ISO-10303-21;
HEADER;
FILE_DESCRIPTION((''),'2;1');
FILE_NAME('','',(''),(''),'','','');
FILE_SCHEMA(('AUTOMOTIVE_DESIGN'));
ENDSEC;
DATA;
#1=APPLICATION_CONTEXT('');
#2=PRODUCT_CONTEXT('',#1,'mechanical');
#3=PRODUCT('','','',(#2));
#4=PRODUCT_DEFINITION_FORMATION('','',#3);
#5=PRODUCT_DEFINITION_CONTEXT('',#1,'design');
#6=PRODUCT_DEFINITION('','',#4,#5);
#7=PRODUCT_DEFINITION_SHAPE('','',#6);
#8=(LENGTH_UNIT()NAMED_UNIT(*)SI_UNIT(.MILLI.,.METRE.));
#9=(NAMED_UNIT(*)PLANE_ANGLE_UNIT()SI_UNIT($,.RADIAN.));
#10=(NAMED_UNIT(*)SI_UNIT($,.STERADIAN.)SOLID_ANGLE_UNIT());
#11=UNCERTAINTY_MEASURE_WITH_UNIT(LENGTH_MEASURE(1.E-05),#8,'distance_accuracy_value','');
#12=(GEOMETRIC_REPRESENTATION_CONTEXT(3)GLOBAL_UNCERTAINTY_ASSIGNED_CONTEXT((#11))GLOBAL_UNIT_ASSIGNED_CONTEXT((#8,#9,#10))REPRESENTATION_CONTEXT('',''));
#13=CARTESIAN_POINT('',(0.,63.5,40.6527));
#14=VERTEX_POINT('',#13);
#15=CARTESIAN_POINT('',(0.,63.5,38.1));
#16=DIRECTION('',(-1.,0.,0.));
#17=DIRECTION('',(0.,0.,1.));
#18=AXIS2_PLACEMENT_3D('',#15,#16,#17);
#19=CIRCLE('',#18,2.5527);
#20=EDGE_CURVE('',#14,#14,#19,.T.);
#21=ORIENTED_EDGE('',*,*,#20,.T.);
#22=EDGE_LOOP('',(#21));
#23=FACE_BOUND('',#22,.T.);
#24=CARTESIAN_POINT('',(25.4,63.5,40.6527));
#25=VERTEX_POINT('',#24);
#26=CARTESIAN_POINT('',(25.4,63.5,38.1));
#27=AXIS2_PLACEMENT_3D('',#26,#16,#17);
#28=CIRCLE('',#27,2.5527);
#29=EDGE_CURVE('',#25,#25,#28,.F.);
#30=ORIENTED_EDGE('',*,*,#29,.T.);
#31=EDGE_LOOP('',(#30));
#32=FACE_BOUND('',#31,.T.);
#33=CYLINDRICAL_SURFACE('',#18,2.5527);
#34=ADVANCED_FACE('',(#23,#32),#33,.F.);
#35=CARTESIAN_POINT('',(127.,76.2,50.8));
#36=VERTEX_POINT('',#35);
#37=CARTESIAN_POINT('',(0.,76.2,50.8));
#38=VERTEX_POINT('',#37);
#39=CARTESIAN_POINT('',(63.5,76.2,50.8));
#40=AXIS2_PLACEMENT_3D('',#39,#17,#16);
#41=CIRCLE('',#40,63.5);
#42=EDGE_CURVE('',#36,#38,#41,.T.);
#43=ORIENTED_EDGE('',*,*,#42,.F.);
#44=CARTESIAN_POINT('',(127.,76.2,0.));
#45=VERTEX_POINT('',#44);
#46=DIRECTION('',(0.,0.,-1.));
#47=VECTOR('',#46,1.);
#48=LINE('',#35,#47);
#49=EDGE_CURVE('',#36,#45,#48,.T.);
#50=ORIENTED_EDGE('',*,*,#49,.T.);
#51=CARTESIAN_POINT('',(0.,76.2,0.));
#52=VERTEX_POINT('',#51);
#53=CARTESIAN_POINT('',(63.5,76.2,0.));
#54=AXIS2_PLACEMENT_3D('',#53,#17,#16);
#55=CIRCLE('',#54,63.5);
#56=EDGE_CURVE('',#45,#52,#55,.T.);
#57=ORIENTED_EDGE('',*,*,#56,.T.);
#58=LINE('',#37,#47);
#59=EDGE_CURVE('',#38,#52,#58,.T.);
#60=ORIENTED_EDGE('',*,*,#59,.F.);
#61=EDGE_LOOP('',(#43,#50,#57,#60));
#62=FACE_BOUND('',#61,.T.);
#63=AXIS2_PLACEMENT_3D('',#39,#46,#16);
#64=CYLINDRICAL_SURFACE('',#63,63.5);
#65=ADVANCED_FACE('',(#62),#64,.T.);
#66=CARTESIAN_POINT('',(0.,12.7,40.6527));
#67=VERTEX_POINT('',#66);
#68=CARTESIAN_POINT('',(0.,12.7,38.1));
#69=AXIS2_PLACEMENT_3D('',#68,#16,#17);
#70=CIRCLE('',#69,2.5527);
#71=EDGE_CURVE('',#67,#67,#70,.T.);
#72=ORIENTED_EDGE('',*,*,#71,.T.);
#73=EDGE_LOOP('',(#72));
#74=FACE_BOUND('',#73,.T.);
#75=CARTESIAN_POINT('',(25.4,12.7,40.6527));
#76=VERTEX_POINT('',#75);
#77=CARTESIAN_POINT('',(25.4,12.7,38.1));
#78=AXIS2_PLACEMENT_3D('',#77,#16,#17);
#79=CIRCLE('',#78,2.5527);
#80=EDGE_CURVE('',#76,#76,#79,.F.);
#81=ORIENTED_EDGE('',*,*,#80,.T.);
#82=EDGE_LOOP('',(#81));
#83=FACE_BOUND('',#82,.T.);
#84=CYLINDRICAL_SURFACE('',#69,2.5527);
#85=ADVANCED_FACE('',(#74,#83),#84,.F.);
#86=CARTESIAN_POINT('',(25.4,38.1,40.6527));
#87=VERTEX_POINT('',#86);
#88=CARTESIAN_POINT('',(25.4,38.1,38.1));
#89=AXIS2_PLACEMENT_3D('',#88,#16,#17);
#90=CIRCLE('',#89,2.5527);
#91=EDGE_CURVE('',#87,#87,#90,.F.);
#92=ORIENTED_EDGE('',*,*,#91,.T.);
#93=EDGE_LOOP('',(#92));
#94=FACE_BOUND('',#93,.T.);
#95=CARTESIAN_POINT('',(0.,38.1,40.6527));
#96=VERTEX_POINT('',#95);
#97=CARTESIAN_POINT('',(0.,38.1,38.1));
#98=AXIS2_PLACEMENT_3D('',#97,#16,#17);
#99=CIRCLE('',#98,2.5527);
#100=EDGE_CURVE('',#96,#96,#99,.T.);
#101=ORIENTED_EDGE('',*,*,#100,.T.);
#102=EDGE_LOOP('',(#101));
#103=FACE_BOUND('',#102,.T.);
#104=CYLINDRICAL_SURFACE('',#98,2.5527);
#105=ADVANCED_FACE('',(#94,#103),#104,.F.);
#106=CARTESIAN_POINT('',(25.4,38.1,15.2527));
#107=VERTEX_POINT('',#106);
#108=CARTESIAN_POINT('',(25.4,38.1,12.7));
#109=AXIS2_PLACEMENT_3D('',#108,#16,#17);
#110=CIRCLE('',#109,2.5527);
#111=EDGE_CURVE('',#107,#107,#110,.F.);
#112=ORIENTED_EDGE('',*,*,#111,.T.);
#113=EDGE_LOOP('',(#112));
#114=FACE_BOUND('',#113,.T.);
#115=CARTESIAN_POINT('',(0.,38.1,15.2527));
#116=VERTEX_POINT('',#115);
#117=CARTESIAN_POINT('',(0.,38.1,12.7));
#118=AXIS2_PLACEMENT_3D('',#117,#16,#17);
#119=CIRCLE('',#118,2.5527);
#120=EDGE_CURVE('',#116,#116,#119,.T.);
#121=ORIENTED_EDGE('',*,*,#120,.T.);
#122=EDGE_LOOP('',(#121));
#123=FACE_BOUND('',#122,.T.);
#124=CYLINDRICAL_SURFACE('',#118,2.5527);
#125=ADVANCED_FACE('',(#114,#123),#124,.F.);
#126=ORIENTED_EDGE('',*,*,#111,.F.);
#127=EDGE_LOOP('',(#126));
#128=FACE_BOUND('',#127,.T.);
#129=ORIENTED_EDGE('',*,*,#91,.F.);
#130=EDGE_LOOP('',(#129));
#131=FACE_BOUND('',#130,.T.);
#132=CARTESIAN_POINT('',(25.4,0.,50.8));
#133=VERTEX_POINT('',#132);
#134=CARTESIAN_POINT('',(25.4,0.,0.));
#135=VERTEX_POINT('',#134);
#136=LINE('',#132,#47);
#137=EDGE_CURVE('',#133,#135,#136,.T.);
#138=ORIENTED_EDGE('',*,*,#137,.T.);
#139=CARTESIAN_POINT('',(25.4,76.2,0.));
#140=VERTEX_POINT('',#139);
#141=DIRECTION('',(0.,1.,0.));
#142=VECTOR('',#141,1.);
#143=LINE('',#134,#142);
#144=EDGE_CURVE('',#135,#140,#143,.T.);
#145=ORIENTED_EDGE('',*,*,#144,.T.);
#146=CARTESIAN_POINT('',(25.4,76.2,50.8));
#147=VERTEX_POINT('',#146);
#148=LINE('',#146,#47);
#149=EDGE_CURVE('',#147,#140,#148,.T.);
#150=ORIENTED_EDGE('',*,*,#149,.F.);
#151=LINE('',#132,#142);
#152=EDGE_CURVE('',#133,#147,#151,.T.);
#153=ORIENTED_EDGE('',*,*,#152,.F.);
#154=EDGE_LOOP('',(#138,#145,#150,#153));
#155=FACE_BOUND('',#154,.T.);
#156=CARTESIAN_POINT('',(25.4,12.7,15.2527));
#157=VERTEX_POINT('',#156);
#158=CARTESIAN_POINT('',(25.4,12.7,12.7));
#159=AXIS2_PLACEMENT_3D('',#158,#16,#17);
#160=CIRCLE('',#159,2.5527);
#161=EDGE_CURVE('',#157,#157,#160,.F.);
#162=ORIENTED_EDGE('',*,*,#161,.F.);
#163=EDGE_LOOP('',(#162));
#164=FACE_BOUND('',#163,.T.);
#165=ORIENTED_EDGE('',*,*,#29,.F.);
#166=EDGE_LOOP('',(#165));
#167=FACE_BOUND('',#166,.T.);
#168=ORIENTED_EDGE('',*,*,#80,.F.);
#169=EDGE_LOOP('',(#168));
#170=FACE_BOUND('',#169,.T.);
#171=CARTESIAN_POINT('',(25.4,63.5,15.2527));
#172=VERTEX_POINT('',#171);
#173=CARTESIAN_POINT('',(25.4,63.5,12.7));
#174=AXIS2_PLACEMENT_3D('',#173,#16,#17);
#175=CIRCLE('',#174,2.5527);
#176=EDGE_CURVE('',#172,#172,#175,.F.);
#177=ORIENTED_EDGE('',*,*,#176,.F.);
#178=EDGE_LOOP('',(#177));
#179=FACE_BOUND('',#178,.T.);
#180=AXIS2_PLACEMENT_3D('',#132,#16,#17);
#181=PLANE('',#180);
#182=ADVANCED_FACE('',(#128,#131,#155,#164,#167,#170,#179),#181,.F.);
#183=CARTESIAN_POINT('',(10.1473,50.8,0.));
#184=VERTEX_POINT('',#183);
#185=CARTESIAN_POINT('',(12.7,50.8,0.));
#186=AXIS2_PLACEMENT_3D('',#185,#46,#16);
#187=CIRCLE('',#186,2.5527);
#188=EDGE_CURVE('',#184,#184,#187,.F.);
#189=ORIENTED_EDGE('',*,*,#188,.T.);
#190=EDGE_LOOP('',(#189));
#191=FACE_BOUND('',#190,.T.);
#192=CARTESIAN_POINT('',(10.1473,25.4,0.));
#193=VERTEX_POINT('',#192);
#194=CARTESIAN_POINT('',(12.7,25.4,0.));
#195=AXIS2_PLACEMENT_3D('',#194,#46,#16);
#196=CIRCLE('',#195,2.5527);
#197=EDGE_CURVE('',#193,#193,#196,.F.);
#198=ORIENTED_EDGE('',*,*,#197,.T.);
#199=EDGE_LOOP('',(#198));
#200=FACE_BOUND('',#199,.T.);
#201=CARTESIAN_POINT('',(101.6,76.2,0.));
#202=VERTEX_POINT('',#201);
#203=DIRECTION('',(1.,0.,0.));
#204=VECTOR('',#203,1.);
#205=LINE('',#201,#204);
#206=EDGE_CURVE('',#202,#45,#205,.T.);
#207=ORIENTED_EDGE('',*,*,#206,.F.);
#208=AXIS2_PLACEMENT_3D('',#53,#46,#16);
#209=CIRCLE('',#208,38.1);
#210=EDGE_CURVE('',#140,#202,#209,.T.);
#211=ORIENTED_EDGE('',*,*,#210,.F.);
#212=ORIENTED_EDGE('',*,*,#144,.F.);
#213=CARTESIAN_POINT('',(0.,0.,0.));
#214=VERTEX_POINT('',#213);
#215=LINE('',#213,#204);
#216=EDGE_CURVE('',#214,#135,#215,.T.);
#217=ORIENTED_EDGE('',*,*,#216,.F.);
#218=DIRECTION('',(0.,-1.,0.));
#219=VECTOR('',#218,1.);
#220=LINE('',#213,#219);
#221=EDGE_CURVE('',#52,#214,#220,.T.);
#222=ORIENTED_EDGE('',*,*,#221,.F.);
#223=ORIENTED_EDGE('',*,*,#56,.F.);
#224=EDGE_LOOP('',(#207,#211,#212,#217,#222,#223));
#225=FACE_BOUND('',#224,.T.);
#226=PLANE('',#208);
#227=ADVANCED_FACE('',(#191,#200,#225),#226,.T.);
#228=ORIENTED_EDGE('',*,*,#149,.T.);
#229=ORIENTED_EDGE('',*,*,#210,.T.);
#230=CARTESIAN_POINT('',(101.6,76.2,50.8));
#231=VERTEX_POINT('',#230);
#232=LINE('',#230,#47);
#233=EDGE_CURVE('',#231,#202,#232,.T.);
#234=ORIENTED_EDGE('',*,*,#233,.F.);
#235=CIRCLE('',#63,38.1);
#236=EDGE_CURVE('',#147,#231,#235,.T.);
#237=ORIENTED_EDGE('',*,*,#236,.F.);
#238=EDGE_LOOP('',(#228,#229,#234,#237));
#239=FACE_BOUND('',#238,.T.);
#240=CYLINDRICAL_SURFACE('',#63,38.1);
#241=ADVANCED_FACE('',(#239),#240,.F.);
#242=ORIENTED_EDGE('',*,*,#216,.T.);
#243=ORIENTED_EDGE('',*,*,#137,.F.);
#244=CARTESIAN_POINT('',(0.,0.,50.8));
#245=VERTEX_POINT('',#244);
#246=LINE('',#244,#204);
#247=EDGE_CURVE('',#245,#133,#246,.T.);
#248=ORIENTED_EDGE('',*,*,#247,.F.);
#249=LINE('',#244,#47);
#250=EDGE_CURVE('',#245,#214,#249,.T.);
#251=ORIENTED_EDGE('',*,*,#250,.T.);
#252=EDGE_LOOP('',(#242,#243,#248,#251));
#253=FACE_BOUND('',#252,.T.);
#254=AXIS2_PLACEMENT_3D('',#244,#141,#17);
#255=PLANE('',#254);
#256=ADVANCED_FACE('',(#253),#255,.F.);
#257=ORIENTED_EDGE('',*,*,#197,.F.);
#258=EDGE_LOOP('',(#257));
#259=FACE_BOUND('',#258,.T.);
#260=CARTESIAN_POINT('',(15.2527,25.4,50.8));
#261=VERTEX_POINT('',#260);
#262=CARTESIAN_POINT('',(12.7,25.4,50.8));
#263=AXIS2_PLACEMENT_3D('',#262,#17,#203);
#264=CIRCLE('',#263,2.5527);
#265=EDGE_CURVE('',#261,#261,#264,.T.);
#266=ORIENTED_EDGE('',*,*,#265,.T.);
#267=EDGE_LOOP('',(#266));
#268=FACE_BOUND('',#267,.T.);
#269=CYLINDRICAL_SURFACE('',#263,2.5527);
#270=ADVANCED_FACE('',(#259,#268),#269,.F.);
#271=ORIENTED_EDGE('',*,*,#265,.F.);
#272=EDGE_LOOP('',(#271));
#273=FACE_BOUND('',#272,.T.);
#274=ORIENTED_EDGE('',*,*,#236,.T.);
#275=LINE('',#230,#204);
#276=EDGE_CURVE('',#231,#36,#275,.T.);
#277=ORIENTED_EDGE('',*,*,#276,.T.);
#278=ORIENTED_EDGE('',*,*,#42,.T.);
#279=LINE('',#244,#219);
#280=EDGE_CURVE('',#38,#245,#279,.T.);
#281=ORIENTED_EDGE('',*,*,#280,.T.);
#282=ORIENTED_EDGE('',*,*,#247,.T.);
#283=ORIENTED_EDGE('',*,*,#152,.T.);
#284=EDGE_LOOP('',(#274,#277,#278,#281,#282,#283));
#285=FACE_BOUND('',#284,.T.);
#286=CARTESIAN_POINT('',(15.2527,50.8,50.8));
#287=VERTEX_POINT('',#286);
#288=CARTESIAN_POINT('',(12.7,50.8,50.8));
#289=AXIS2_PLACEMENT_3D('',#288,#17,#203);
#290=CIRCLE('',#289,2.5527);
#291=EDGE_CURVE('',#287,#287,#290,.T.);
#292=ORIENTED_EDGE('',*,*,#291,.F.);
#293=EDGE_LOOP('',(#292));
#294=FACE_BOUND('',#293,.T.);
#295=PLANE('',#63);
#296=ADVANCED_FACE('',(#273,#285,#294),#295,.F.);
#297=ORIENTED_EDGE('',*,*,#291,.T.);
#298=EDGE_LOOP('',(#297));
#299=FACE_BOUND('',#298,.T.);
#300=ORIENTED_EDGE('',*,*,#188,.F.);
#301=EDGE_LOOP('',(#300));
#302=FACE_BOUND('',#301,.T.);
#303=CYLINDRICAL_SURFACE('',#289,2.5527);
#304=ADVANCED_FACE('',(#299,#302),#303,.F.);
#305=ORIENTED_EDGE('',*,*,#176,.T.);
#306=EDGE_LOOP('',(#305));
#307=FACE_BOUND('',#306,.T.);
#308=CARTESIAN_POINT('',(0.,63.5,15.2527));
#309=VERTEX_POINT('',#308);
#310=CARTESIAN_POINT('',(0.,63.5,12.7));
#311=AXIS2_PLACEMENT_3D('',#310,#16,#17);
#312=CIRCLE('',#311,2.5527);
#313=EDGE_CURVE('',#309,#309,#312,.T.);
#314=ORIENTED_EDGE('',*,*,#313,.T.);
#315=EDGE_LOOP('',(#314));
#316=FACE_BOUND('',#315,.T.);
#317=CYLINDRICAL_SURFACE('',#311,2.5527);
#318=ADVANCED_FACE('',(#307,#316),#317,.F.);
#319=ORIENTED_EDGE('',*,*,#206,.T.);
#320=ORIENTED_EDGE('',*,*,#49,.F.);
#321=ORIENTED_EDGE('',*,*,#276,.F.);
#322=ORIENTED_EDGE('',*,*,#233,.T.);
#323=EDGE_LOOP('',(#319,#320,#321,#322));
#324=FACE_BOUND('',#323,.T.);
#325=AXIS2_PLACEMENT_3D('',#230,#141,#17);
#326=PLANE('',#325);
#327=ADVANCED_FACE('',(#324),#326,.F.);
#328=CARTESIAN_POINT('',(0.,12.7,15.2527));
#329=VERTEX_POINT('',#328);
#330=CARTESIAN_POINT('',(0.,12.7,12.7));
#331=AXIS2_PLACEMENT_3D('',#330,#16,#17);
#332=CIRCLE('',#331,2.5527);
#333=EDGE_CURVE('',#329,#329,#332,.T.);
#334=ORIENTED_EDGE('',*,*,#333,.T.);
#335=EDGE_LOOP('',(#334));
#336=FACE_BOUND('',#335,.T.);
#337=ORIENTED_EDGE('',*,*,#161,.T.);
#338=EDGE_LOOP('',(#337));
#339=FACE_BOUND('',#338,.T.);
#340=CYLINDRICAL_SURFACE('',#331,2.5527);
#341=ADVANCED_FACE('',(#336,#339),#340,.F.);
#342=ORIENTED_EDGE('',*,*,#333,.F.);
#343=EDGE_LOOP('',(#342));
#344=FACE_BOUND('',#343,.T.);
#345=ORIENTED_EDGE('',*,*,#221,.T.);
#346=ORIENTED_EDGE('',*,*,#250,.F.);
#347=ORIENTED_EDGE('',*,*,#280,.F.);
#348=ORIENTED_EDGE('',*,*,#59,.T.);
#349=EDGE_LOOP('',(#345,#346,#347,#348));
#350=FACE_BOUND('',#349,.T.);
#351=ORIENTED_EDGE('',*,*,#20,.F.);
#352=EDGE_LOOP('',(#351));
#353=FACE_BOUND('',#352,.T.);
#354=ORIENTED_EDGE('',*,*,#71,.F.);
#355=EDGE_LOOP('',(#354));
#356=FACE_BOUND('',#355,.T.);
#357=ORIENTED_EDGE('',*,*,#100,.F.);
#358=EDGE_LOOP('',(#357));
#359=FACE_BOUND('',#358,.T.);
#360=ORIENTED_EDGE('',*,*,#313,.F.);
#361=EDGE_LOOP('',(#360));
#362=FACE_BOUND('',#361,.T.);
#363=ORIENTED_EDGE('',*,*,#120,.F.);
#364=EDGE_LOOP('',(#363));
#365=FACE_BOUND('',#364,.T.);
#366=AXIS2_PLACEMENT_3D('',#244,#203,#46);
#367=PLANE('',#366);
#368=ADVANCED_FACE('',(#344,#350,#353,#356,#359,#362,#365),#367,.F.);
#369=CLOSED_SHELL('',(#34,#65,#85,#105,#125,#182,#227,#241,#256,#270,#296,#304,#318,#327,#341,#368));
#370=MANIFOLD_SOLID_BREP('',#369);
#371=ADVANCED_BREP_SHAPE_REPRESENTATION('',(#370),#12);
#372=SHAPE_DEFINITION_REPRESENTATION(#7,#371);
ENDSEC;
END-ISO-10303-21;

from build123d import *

# Parameters (mm, degrees)
BOSS_EXTRUDE1_DEPTH    = 50.8
F_10_CLEARANCE_HOLE1_D = 5.1054
F_10_CLEARANCE_HOLE2_D = 5.1054


with BuildPart() as part:
    # Sketch1 → Boss-Extrude1 (new body)
    with BuildSketch(Plane.XY):
        with BuildLine():
            Line((101.6, 76.2), (127, 76.2))
            ThreePointArc((127, 76.2), (63.5, 139.7), (0, 76.2))
            Line((0, 76.2), (0, 0))
            Line((0, 0), (25.4, 0))
            Line((25.4, 0), (25.4, 76.2))
            ThreePointArc((25.4, 76.2), (63.5, 114.3), (101.6, 76.2))
        make_face()
    extrude(amount=BOSS_EXTRUDE1_DEPTH)

    # #10 Clearance Hole1 (through all)
    with Locations(Plane.XY.offset(50.8)):
        with Locations((12.7, 50.8), (12.7, 25.4)):
            Hole(F_10_CLEARANCE_HOLE1_D / 2)

    # #10 Clearance Hole2 (through all)
    with Locations(Plane.ZY):
        with Locations((12.7, 38.1), (12.7, 12.7), (12.7, 63.5), (38.1, 63.5), (38.1, 12.7), (38.1, 38.1)):
            Hole(F_10_CLEARANCE_HOLE2_D / 2)


solid = part.part
